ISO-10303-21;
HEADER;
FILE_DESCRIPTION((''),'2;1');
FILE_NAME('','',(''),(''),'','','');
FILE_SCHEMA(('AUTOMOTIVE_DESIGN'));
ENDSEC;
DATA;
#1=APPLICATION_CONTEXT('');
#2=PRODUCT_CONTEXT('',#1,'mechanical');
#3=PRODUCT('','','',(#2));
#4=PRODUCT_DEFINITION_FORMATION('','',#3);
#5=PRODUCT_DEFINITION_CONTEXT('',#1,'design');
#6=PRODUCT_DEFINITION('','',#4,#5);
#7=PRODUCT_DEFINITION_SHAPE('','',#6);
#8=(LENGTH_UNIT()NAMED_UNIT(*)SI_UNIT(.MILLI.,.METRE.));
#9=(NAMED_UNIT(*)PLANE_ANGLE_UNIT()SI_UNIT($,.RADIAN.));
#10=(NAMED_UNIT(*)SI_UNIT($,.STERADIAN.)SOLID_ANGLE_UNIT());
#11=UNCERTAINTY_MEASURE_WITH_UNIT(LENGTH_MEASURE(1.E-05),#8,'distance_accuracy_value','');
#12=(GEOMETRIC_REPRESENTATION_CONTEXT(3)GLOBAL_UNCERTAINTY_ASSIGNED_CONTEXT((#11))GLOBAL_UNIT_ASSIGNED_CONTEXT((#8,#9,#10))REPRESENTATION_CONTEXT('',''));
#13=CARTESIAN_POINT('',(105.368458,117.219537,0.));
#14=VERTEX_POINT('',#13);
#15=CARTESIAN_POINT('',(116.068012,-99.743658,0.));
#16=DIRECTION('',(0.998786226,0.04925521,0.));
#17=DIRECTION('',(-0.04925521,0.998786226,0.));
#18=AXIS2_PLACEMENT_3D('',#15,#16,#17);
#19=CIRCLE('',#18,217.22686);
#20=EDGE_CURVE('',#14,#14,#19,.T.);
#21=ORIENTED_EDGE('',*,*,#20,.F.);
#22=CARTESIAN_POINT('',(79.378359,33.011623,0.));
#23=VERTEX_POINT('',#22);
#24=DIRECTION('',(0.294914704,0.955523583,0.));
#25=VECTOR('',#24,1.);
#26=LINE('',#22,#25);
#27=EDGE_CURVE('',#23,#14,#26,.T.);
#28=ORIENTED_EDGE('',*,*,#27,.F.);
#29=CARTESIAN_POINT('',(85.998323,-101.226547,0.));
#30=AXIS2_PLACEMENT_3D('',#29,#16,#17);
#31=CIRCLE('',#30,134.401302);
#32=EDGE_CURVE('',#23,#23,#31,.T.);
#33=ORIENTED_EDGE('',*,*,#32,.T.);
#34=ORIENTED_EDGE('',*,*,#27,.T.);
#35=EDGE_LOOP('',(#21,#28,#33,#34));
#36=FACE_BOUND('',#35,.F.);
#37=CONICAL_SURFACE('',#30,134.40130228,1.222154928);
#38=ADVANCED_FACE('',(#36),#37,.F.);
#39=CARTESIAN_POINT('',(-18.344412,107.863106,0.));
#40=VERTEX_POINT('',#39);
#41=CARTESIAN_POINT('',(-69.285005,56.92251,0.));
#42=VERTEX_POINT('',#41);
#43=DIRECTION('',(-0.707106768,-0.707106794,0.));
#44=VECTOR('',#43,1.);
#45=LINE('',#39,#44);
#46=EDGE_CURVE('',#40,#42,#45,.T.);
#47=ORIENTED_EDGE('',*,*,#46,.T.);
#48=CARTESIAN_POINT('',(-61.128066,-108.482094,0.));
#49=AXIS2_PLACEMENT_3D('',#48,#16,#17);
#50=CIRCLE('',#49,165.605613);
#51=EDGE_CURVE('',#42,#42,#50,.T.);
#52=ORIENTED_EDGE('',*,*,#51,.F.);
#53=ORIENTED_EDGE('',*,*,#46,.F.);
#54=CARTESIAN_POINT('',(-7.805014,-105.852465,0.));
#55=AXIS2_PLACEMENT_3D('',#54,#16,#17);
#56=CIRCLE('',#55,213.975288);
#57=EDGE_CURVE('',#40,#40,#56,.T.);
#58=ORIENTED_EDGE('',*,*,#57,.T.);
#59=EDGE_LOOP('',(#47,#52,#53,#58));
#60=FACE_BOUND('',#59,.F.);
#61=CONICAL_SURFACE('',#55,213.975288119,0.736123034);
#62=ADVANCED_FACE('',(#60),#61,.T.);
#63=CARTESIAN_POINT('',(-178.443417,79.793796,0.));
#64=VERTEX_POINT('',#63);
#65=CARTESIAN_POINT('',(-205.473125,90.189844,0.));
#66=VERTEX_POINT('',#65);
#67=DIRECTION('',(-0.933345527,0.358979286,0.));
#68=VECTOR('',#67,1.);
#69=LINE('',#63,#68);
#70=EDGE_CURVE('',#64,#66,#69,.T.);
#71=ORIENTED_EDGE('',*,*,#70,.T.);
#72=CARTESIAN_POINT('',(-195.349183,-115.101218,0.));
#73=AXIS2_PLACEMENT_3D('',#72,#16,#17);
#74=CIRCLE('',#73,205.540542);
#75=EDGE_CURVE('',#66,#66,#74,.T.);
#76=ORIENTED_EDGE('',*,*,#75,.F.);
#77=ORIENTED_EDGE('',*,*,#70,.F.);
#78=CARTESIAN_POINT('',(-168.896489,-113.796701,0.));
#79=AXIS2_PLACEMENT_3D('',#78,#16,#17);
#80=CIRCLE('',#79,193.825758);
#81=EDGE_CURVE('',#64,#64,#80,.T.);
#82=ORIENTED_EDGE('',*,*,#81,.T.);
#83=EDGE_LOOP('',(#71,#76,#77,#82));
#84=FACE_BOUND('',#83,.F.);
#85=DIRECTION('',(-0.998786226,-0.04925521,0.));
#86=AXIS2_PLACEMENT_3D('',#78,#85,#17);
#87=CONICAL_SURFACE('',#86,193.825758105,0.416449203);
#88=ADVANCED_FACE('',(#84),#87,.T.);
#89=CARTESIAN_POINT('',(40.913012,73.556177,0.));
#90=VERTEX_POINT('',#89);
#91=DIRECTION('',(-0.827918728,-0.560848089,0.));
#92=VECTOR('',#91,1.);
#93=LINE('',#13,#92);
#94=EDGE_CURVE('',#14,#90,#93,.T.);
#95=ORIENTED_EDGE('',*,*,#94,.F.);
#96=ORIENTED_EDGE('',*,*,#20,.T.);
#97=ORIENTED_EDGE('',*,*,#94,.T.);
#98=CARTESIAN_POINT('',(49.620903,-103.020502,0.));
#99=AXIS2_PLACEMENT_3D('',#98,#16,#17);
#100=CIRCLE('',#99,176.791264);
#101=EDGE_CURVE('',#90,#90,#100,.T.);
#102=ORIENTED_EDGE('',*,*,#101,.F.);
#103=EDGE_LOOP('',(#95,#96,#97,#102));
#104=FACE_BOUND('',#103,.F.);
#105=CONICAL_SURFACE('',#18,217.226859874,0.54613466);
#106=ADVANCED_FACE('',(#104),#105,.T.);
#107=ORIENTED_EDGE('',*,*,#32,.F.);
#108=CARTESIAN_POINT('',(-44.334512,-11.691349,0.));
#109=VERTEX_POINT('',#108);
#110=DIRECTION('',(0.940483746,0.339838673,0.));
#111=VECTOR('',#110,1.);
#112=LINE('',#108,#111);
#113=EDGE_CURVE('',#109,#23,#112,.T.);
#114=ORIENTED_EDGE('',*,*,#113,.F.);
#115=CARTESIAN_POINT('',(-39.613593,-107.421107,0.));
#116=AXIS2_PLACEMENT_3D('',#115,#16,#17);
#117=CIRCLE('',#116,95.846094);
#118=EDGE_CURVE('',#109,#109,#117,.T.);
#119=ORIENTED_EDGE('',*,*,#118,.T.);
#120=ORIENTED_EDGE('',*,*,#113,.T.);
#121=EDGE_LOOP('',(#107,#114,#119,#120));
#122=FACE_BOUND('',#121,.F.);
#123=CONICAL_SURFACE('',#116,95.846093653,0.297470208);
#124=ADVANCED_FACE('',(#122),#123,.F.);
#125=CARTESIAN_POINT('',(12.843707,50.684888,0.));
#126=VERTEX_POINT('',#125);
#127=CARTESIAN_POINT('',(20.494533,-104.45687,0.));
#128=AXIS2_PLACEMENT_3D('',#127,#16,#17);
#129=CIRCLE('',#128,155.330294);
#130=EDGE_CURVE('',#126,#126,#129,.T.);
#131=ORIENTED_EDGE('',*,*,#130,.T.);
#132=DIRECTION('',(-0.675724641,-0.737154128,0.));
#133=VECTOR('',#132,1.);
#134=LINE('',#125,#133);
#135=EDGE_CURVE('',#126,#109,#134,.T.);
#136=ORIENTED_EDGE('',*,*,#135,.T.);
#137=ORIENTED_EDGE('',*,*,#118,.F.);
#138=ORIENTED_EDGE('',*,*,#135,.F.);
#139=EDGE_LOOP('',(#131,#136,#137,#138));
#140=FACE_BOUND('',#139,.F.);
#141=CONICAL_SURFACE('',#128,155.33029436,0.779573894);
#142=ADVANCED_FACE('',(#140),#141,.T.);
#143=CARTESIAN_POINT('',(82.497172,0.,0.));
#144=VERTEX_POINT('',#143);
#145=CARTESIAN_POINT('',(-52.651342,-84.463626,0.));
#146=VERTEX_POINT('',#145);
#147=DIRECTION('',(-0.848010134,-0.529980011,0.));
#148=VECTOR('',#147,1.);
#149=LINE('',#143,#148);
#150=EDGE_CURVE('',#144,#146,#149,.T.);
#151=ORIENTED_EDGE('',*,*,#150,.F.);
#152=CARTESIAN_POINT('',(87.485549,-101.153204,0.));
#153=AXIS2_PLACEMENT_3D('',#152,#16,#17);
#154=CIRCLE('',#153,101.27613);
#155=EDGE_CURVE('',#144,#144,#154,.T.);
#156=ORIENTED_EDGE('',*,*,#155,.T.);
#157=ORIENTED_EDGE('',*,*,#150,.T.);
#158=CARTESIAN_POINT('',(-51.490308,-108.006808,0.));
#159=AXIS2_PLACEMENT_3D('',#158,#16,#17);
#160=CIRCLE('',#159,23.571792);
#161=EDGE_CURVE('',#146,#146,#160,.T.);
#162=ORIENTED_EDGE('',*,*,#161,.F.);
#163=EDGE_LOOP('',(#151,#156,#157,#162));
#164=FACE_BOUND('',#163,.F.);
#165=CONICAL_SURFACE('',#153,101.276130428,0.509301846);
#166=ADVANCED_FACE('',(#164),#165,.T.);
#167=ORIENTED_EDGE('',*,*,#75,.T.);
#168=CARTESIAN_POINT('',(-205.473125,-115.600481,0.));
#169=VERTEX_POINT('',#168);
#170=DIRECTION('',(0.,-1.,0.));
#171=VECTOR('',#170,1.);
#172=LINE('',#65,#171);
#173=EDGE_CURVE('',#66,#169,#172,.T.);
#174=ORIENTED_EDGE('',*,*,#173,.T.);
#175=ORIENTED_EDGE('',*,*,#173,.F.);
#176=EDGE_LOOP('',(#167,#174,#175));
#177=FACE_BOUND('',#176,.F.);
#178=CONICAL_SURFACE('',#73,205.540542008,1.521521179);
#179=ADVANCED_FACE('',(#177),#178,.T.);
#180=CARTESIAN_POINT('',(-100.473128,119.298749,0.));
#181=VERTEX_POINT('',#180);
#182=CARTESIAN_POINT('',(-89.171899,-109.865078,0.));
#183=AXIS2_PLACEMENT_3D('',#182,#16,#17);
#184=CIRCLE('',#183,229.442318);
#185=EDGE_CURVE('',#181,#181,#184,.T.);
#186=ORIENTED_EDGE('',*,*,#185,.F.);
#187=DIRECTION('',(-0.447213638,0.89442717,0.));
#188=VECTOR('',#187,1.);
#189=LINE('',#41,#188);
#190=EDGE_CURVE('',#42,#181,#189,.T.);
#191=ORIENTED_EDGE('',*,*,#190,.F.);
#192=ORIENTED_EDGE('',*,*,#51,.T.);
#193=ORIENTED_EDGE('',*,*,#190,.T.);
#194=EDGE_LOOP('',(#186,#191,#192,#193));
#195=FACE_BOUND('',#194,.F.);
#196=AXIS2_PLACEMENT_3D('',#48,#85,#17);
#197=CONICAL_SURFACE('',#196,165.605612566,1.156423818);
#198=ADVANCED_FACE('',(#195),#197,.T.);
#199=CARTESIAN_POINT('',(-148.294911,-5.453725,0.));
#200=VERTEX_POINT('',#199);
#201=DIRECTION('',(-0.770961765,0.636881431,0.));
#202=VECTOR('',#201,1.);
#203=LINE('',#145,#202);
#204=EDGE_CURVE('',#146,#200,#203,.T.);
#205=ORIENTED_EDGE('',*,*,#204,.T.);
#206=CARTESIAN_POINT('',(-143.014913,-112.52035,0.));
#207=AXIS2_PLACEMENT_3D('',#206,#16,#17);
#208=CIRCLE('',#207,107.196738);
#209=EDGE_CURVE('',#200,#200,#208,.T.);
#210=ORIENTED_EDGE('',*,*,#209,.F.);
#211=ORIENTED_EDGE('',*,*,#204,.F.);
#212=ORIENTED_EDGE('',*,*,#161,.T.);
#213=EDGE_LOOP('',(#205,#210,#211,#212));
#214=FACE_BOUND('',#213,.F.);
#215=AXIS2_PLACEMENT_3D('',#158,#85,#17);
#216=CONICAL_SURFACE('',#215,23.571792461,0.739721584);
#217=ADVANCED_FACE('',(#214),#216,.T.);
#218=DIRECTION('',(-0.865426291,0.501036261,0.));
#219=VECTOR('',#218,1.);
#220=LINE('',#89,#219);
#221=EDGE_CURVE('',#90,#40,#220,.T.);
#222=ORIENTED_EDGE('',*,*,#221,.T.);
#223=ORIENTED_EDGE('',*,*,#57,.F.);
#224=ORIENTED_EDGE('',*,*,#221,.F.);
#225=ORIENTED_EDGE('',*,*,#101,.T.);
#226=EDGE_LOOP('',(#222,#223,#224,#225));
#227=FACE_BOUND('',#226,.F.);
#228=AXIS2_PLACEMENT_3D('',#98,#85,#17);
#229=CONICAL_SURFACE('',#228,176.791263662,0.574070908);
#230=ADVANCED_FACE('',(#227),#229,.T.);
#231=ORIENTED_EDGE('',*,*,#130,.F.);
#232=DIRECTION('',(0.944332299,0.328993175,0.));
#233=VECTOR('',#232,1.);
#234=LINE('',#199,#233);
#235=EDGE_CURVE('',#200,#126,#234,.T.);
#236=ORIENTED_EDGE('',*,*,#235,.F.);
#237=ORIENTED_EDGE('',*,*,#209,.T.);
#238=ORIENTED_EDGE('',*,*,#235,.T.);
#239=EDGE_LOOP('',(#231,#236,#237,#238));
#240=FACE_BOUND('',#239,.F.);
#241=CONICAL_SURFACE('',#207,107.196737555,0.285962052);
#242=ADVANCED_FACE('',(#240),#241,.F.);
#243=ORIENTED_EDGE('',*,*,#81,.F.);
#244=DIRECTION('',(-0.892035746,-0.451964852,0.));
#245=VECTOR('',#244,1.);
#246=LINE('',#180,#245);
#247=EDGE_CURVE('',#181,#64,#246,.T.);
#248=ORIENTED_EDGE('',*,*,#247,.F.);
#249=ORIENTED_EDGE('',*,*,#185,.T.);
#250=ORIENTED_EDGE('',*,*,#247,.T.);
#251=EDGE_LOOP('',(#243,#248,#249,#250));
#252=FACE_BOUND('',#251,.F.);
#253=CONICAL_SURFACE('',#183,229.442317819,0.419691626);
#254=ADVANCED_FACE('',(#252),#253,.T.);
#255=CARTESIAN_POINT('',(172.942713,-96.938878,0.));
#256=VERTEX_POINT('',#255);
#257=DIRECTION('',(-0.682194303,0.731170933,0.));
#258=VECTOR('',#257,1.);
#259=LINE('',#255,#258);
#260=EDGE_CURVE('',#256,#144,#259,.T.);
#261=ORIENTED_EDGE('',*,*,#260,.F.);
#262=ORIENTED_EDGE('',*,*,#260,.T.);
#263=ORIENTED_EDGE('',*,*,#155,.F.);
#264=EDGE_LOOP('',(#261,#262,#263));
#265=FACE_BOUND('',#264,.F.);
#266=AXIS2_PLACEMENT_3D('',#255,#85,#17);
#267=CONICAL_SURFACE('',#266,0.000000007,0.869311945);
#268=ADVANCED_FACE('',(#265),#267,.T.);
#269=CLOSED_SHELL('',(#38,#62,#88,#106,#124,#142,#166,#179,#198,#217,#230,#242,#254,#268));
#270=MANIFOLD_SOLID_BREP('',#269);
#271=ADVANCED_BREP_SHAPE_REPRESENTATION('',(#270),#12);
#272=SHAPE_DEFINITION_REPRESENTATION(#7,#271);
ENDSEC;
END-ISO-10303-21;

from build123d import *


with BuildPart() as f1:
    # F0 (on Top) → F1 (revolve)
    with BuildSketch(Plane.XY):
        Polygon((-178.4434169531, 79.7937959433), (-205.4731249809, 90.1898443699), (-205.4731249809, -115.6004806716), (172.942712903, -96.9388782978), (82.4971720576, 0), (-52.6513420045, -84.4636261463), (-148.2949107885, -5.4537248798), (12.8437066451, 50.6848879158), (-44.3345122039, -11.6913486272), (79.3783590198, 33.0116227269), (105.3684577346, 117.2195374966), (40.9130118787, 73.5561773181), (-18.3444116265, 107.8631058335), (-69.285005331, 56.9225102663), (-100.4731282592, 119.298748672), align=None)
    revolve(axis=Axis((-16.7850106955, -106.2953136861, 0), (0.9987862255, 0.0492552096, 0)))


solid = f1.part
